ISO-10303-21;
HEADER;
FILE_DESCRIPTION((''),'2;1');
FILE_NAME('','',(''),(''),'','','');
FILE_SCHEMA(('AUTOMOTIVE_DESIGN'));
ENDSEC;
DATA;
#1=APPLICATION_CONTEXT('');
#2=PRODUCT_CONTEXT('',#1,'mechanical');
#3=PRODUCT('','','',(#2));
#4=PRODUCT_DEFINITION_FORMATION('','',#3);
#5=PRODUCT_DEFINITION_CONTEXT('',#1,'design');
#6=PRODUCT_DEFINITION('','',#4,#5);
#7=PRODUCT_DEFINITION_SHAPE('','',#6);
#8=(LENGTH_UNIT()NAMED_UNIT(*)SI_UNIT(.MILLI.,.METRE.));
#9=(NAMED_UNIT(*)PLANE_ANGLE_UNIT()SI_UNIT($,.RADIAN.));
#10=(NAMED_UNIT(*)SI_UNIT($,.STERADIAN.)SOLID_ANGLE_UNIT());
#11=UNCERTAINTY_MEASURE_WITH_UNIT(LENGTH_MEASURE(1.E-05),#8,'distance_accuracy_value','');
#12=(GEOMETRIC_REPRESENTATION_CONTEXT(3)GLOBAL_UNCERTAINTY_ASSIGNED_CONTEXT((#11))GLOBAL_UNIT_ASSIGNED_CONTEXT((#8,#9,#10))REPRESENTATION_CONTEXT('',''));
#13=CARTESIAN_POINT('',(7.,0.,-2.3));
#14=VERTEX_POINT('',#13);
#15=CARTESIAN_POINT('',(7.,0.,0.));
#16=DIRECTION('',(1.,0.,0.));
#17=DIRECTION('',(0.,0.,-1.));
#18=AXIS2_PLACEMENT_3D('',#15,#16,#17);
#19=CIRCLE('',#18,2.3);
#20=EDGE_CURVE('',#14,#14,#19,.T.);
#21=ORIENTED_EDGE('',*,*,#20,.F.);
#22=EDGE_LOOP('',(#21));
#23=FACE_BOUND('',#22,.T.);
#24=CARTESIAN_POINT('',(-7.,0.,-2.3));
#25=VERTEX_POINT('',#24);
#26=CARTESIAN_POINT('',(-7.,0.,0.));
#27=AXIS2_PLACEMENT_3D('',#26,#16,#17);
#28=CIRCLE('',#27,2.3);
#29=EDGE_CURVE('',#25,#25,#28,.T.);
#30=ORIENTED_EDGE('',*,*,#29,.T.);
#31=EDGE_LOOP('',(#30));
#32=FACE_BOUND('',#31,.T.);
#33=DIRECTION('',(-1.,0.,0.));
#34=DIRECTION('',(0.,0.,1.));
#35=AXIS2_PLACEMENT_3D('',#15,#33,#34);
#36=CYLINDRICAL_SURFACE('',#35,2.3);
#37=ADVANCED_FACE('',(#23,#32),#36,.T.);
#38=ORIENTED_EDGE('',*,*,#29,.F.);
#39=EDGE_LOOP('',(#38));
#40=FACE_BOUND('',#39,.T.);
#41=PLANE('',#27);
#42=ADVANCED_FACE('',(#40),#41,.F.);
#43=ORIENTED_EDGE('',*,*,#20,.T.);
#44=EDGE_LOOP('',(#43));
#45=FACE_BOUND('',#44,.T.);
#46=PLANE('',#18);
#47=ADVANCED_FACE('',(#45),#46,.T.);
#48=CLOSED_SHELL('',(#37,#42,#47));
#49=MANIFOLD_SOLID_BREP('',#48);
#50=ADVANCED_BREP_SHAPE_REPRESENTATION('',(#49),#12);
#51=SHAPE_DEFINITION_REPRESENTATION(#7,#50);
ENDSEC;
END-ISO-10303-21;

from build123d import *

# Parameters (mm, degrees)
SKETCH1_R = 2.3
PEG_DEPTH = 7


with BuildPart() as part:
    # Sketch1 → peg (new, symmetric)
    with BuildSketch(Plane(origin=(0, 0, 0), x_dir=(0, 0, -1), z_dir=(1, 0, 0))):
        Circle(SKETCH1_R)
    extrude(amount=PEG_DEPTH, both=True)


solid = part.part
